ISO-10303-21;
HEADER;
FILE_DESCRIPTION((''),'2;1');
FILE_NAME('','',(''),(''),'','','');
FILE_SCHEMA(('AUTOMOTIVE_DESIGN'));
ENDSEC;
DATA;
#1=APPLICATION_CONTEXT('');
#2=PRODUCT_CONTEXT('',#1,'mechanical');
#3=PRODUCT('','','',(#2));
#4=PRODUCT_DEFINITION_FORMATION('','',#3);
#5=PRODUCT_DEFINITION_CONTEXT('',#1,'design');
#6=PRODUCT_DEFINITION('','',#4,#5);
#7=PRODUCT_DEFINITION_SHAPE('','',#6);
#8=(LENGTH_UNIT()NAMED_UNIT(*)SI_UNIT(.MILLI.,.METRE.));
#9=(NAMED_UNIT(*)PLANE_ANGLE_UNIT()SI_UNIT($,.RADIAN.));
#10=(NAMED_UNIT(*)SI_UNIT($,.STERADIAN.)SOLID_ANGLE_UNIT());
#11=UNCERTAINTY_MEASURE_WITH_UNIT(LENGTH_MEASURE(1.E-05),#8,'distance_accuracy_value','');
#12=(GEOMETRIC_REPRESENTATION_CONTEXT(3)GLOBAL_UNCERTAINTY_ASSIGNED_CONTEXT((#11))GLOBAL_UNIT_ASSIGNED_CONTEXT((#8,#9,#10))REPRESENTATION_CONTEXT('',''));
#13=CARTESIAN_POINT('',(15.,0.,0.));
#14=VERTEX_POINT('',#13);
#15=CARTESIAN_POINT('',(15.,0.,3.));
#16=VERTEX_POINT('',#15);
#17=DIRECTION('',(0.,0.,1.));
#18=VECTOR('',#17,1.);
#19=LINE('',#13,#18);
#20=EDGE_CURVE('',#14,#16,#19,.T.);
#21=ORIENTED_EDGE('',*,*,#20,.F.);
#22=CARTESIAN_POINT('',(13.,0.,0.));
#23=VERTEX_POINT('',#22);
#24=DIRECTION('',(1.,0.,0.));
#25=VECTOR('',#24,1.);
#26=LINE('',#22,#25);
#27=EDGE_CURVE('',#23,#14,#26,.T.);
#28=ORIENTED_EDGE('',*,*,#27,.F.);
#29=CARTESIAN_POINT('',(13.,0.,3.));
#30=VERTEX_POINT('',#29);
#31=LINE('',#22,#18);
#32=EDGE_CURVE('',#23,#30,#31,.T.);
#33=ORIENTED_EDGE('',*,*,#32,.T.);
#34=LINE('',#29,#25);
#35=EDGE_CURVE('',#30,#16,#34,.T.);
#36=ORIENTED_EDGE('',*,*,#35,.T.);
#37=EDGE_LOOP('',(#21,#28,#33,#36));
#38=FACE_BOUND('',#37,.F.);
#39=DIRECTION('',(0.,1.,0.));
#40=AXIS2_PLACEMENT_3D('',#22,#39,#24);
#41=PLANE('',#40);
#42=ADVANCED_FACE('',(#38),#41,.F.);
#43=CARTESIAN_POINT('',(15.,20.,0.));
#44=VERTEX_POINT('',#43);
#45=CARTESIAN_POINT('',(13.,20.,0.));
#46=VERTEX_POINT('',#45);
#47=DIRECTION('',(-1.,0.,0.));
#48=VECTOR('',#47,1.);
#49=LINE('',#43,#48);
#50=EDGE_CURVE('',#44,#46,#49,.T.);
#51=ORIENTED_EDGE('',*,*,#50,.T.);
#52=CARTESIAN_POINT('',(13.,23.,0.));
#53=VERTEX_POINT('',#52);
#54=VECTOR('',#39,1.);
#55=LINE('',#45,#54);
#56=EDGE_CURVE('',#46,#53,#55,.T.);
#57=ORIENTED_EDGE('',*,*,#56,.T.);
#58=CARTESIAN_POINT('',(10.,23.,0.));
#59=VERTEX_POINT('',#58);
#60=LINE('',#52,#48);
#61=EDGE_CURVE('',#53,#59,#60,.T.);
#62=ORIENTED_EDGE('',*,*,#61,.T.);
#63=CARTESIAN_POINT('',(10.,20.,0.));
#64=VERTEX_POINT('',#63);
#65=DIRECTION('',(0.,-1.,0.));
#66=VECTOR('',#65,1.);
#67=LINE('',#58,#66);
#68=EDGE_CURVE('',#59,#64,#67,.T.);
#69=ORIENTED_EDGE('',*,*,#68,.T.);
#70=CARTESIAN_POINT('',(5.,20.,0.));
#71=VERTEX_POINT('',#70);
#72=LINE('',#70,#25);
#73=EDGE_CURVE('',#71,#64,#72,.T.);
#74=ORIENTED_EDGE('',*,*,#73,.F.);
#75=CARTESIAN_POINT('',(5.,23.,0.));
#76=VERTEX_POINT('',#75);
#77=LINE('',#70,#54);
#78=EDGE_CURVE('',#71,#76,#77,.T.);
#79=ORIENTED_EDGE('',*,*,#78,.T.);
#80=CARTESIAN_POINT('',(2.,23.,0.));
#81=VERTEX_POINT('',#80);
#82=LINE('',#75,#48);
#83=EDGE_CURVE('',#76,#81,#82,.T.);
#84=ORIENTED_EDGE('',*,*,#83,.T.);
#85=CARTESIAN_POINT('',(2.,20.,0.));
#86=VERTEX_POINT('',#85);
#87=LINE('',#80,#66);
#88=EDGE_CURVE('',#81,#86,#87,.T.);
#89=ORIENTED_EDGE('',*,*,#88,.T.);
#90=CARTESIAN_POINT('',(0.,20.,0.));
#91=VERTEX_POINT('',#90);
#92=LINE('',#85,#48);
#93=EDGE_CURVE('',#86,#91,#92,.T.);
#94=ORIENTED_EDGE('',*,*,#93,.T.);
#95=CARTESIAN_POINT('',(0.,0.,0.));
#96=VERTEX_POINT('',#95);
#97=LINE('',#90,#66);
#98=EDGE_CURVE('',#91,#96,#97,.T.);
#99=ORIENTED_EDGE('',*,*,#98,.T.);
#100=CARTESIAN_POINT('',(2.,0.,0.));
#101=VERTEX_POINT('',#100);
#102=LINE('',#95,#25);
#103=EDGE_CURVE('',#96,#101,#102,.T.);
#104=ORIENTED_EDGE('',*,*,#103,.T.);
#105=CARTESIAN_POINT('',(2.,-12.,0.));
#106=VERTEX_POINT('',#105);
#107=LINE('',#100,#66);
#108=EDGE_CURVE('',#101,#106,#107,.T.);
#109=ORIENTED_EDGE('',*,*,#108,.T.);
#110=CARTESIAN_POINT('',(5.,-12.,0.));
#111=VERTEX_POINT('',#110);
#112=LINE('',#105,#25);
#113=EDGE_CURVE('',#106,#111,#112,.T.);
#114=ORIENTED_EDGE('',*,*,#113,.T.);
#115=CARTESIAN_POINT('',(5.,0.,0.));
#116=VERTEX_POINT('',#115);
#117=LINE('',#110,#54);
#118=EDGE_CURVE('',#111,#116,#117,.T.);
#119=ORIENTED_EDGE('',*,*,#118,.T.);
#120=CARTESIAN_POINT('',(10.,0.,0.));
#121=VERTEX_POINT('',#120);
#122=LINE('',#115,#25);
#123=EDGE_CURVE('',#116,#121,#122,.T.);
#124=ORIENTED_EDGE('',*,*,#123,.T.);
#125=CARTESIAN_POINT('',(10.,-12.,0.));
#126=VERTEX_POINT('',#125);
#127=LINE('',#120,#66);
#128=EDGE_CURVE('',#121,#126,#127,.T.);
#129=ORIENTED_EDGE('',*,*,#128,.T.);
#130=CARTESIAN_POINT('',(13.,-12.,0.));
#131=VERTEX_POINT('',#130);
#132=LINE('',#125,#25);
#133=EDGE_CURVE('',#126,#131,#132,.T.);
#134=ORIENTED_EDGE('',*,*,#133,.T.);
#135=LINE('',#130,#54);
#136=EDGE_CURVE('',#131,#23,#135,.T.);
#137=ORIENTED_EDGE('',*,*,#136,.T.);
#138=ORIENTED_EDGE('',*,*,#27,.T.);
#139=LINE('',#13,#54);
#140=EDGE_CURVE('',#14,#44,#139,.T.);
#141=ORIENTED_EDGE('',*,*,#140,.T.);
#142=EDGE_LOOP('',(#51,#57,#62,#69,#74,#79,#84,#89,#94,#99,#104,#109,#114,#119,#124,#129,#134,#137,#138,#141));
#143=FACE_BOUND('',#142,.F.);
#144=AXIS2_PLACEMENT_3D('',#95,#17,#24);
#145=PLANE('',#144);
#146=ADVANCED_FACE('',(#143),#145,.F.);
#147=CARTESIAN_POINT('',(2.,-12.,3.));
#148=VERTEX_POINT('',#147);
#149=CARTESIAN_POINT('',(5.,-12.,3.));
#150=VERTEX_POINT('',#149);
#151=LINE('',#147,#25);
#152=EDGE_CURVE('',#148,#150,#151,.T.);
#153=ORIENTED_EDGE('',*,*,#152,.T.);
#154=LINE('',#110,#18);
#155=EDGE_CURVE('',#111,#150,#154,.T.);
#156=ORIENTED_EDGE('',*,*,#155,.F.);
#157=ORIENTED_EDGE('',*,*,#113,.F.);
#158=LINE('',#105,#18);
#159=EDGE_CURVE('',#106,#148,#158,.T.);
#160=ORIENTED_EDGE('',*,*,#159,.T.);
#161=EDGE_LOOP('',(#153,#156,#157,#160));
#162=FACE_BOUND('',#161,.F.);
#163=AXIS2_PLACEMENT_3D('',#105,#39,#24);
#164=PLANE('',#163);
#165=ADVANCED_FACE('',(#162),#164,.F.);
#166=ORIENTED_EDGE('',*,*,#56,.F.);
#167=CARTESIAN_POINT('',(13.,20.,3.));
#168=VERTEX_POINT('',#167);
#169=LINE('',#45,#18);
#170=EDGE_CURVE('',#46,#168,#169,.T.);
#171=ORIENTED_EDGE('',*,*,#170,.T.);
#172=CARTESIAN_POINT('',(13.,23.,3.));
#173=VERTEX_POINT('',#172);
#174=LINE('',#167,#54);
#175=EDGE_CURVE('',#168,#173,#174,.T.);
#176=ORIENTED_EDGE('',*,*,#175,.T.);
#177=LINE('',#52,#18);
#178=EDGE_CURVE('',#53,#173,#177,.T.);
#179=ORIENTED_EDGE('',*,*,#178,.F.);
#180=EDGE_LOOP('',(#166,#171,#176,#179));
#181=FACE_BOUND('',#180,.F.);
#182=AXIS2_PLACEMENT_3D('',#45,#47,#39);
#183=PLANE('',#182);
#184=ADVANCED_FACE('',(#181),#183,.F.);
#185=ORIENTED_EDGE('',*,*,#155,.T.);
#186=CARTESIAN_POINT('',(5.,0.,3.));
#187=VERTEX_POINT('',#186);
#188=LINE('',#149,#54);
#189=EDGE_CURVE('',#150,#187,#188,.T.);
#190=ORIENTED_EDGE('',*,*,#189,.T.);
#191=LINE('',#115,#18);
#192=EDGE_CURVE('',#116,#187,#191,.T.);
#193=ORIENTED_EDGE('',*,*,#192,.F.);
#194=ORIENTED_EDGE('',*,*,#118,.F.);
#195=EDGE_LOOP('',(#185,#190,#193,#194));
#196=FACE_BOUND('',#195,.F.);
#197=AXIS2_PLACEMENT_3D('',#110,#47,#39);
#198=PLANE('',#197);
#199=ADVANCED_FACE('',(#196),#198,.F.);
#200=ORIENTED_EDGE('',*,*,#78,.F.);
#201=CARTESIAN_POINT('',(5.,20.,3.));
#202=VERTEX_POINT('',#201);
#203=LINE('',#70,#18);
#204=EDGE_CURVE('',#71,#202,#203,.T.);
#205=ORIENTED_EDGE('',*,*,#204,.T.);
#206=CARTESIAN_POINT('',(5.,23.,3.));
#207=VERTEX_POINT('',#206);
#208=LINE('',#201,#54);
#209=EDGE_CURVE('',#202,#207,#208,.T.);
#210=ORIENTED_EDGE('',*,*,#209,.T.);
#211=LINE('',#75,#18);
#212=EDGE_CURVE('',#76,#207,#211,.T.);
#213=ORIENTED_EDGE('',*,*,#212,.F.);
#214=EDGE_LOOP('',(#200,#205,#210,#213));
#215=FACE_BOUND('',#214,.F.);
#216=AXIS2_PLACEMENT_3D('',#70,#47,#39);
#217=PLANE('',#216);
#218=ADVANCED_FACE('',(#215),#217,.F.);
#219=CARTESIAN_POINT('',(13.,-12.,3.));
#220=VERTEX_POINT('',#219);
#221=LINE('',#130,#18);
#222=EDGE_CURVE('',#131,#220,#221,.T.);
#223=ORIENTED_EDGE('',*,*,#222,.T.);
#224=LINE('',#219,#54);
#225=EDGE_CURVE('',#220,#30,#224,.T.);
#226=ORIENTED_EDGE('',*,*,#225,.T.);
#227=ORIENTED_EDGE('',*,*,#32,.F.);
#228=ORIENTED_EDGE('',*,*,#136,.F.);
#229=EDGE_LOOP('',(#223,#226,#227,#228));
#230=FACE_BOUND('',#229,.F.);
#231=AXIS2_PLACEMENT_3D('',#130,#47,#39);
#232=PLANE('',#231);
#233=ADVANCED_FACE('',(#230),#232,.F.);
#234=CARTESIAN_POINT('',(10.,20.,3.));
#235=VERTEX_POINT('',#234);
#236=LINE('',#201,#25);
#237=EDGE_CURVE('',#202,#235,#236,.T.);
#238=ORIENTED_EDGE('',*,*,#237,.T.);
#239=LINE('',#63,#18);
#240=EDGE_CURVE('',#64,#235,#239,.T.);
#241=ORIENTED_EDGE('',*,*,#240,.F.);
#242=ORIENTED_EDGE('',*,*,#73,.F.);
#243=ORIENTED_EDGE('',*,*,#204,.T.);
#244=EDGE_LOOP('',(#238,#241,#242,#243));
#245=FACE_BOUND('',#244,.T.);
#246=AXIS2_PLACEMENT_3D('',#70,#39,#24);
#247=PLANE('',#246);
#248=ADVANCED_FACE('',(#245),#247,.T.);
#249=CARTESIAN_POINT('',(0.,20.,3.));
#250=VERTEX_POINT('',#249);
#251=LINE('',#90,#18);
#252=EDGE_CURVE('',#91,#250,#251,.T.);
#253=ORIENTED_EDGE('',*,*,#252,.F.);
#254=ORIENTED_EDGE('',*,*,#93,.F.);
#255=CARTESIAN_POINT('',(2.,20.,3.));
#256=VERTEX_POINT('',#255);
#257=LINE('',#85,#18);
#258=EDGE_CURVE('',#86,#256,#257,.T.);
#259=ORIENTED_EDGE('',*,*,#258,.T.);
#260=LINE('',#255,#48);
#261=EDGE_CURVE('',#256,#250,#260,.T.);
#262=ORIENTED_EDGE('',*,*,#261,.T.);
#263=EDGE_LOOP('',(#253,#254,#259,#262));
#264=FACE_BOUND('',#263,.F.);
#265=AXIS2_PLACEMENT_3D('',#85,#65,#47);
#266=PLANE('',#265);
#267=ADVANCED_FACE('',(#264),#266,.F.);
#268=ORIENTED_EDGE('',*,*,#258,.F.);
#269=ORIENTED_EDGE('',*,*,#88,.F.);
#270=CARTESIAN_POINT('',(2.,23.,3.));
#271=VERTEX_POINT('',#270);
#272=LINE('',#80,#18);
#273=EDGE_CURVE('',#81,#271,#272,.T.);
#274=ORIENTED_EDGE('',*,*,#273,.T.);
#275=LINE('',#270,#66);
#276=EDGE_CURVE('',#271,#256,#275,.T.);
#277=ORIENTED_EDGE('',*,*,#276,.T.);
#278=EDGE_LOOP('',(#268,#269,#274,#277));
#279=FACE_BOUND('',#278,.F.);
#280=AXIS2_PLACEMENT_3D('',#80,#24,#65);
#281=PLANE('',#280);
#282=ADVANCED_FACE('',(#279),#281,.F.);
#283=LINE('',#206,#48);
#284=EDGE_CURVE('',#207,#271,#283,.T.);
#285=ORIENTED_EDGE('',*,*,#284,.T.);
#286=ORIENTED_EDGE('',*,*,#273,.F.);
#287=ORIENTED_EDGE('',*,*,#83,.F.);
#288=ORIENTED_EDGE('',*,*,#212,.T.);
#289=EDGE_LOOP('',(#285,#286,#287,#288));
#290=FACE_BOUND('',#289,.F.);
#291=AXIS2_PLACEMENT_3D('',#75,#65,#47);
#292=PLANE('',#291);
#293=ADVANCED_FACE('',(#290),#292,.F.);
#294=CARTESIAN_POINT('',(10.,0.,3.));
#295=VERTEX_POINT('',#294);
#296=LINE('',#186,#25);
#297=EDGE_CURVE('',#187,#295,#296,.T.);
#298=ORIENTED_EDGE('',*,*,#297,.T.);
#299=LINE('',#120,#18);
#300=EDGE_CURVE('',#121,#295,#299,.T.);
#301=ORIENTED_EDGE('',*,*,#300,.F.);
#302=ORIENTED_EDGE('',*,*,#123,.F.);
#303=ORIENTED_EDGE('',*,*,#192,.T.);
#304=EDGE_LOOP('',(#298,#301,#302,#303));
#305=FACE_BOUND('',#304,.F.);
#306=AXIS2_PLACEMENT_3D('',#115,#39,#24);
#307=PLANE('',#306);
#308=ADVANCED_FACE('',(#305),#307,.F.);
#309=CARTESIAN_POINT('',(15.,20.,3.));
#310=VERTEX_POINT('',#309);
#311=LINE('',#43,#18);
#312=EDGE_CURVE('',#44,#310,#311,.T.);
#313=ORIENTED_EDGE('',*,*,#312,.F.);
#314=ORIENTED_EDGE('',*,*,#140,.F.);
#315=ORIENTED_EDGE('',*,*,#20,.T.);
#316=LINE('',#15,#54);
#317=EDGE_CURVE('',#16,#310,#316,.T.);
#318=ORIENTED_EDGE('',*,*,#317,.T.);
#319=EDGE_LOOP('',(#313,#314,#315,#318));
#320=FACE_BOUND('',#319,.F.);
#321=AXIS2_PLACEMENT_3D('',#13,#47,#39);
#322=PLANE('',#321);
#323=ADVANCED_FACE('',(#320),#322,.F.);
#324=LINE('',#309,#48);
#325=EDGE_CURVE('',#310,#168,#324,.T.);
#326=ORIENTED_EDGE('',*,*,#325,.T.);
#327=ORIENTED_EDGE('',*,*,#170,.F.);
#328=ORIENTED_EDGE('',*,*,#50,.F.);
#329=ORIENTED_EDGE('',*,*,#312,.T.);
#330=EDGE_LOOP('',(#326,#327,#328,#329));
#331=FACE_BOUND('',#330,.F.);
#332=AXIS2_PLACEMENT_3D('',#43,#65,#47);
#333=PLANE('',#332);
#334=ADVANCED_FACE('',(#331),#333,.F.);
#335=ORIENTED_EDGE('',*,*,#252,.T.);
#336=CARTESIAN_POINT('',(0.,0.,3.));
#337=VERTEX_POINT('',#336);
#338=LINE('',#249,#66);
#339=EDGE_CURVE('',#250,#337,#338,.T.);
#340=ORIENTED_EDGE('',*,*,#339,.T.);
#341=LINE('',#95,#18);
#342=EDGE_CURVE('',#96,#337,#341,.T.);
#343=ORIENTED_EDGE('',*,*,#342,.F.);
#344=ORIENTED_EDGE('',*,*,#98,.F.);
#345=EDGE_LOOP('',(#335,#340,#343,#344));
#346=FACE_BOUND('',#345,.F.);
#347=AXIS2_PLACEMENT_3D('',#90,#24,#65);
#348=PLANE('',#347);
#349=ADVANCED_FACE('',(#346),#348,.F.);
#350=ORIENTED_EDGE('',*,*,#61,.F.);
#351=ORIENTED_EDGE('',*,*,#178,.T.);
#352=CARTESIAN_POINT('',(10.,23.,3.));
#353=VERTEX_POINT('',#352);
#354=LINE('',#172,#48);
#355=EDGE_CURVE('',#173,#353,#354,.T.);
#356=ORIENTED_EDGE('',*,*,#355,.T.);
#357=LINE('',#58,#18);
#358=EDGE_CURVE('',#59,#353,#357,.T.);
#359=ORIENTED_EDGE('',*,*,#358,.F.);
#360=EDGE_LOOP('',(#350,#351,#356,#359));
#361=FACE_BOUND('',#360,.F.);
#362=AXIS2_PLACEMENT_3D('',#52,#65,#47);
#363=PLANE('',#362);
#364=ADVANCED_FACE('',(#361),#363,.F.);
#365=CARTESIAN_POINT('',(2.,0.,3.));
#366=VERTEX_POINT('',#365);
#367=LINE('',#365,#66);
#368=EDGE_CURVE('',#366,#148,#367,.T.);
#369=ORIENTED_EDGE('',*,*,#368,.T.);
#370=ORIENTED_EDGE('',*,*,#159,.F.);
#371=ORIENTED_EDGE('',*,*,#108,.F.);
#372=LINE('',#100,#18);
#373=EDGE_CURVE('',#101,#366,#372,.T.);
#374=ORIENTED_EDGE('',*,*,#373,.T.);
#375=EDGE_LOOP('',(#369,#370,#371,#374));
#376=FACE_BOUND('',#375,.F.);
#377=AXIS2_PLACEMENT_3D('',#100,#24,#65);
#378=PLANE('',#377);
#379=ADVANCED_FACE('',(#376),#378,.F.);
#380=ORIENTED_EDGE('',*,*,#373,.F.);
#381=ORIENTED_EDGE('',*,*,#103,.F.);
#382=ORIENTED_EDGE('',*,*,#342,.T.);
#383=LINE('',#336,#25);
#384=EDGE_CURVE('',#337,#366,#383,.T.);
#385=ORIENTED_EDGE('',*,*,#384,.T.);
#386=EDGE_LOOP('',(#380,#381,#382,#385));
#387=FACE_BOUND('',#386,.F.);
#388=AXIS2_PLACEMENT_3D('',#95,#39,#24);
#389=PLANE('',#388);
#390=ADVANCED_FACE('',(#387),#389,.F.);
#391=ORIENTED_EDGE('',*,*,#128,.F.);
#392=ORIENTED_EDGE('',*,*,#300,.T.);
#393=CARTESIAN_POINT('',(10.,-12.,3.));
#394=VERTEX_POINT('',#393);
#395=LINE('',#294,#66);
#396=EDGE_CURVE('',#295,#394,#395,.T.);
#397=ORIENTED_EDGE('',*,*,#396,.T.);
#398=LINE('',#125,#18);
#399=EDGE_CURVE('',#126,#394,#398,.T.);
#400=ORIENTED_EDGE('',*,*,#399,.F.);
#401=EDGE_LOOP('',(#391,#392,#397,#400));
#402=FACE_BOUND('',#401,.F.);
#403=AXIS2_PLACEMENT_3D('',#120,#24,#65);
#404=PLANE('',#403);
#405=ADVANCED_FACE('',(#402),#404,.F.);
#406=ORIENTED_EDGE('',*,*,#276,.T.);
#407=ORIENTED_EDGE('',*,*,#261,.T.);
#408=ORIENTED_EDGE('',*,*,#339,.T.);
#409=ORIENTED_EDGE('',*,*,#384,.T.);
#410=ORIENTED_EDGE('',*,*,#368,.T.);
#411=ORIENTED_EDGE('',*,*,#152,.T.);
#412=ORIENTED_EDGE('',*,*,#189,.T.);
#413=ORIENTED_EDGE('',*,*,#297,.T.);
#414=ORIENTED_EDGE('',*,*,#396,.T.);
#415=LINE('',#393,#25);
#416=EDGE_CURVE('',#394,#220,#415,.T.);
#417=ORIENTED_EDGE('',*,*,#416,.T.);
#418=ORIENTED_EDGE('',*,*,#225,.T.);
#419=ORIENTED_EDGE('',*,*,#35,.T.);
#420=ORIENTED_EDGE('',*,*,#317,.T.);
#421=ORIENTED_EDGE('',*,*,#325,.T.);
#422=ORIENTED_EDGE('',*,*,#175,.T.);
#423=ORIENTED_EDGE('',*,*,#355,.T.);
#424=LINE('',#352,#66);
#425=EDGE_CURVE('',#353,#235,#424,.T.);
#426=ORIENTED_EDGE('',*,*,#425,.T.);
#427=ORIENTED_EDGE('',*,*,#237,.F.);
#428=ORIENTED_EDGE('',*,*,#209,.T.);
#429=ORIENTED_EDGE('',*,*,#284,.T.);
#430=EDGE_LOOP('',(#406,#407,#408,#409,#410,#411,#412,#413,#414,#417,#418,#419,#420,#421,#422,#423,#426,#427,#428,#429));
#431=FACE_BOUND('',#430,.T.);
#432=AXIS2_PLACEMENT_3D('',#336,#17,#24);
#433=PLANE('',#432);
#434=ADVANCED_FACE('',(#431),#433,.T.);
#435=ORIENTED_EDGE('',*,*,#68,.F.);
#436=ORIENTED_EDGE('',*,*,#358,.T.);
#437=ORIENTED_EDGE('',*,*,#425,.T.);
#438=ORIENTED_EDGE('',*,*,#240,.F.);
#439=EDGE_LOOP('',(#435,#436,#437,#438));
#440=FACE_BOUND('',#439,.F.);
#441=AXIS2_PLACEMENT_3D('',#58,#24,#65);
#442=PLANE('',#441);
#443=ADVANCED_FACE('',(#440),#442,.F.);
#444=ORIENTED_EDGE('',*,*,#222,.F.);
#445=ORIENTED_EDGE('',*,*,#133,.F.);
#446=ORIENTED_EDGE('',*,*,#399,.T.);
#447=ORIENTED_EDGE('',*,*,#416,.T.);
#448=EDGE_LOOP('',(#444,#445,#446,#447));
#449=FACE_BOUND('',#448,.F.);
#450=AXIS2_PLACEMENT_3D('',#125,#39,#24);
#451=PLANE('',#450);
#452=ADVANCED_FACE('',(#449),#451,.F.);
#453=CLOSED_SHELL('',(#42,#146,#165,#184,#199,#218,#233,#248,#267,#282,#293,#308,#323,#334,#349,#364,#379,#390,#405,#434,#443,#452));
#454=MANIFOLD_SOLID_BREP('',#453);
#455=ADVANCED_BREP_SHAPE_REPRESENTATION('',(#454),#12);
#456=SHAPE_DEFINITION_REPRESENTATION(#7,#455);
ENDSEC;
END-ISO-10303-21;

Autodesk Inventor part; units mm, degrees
ref_plane "YZ Plane" through (0, 0, 0) normal (1, 0, 0) x (0, 1, 0)
ref_plane "XZ Plane" through (0, 0, 0) normal (0, 1, 0) x (-1, 0, 0)
ref_plane "XY Plane" through (0, 0, 0) normal (0, 0, 1) x (1, 0, 0)
sketch "Sketch1" plane through (0, 0, 0) normal (0, 0, 1) x (1, 0, 0)
  line L0 (0, 0) -> (2, 0)
  line L1 (2, 0) -> (2, -12)
  line L2 (2, -12) -> (5, -12)
  line L3 (5, -12) -> (5, 0)
  line L4 (5, 0) -> (10, 0)
  line L5 (10, 0) -> (10, -12)
  line L6 (10, -12) -> (13, -12)
  line L7 (13, -12) -> (13, 0)
  line L8 (13, 0) -> (15, 0)
  line L9 (15, 0) -> (15, 20)
  line L10 (15, 20) -> (13, 20)
  line L11 (13, 20) -> (13, 23)
  line L12 (13, 23) -> (10, 23)
  line L13 (10, 23) -> (10, 20)
  line L14 (5, 20) -> (5, 23)
  line L15 (5, 20) -> (10, 20)
  line L16 (5, 23) -> (2, 23)
  line L17 (2, 23) -> (2, 20)
  line L18 (2, 20) -> (0, 20)
  line L19 (0, 20) -> (0, 0)
  line L20 (3.5, -12) -> (3.5, 6.8939) construction
  line L21 (7.5, 0) -> (7.5, 4.8399) construction
  dimension "d0" = 2
  dimension "d1" = 12
  dimension "d2" = 3
  dimension "d3" = 3
  dimension "d4" = 2
  dimension "d5" = 3
  dimension "d8" = 20
  dimension "d11" = 4
extrude "Extrusion1" add sketch "Sketch1" along normal blind 3
equation "\"d4\" = d0"
properties part number "motor_stick"
